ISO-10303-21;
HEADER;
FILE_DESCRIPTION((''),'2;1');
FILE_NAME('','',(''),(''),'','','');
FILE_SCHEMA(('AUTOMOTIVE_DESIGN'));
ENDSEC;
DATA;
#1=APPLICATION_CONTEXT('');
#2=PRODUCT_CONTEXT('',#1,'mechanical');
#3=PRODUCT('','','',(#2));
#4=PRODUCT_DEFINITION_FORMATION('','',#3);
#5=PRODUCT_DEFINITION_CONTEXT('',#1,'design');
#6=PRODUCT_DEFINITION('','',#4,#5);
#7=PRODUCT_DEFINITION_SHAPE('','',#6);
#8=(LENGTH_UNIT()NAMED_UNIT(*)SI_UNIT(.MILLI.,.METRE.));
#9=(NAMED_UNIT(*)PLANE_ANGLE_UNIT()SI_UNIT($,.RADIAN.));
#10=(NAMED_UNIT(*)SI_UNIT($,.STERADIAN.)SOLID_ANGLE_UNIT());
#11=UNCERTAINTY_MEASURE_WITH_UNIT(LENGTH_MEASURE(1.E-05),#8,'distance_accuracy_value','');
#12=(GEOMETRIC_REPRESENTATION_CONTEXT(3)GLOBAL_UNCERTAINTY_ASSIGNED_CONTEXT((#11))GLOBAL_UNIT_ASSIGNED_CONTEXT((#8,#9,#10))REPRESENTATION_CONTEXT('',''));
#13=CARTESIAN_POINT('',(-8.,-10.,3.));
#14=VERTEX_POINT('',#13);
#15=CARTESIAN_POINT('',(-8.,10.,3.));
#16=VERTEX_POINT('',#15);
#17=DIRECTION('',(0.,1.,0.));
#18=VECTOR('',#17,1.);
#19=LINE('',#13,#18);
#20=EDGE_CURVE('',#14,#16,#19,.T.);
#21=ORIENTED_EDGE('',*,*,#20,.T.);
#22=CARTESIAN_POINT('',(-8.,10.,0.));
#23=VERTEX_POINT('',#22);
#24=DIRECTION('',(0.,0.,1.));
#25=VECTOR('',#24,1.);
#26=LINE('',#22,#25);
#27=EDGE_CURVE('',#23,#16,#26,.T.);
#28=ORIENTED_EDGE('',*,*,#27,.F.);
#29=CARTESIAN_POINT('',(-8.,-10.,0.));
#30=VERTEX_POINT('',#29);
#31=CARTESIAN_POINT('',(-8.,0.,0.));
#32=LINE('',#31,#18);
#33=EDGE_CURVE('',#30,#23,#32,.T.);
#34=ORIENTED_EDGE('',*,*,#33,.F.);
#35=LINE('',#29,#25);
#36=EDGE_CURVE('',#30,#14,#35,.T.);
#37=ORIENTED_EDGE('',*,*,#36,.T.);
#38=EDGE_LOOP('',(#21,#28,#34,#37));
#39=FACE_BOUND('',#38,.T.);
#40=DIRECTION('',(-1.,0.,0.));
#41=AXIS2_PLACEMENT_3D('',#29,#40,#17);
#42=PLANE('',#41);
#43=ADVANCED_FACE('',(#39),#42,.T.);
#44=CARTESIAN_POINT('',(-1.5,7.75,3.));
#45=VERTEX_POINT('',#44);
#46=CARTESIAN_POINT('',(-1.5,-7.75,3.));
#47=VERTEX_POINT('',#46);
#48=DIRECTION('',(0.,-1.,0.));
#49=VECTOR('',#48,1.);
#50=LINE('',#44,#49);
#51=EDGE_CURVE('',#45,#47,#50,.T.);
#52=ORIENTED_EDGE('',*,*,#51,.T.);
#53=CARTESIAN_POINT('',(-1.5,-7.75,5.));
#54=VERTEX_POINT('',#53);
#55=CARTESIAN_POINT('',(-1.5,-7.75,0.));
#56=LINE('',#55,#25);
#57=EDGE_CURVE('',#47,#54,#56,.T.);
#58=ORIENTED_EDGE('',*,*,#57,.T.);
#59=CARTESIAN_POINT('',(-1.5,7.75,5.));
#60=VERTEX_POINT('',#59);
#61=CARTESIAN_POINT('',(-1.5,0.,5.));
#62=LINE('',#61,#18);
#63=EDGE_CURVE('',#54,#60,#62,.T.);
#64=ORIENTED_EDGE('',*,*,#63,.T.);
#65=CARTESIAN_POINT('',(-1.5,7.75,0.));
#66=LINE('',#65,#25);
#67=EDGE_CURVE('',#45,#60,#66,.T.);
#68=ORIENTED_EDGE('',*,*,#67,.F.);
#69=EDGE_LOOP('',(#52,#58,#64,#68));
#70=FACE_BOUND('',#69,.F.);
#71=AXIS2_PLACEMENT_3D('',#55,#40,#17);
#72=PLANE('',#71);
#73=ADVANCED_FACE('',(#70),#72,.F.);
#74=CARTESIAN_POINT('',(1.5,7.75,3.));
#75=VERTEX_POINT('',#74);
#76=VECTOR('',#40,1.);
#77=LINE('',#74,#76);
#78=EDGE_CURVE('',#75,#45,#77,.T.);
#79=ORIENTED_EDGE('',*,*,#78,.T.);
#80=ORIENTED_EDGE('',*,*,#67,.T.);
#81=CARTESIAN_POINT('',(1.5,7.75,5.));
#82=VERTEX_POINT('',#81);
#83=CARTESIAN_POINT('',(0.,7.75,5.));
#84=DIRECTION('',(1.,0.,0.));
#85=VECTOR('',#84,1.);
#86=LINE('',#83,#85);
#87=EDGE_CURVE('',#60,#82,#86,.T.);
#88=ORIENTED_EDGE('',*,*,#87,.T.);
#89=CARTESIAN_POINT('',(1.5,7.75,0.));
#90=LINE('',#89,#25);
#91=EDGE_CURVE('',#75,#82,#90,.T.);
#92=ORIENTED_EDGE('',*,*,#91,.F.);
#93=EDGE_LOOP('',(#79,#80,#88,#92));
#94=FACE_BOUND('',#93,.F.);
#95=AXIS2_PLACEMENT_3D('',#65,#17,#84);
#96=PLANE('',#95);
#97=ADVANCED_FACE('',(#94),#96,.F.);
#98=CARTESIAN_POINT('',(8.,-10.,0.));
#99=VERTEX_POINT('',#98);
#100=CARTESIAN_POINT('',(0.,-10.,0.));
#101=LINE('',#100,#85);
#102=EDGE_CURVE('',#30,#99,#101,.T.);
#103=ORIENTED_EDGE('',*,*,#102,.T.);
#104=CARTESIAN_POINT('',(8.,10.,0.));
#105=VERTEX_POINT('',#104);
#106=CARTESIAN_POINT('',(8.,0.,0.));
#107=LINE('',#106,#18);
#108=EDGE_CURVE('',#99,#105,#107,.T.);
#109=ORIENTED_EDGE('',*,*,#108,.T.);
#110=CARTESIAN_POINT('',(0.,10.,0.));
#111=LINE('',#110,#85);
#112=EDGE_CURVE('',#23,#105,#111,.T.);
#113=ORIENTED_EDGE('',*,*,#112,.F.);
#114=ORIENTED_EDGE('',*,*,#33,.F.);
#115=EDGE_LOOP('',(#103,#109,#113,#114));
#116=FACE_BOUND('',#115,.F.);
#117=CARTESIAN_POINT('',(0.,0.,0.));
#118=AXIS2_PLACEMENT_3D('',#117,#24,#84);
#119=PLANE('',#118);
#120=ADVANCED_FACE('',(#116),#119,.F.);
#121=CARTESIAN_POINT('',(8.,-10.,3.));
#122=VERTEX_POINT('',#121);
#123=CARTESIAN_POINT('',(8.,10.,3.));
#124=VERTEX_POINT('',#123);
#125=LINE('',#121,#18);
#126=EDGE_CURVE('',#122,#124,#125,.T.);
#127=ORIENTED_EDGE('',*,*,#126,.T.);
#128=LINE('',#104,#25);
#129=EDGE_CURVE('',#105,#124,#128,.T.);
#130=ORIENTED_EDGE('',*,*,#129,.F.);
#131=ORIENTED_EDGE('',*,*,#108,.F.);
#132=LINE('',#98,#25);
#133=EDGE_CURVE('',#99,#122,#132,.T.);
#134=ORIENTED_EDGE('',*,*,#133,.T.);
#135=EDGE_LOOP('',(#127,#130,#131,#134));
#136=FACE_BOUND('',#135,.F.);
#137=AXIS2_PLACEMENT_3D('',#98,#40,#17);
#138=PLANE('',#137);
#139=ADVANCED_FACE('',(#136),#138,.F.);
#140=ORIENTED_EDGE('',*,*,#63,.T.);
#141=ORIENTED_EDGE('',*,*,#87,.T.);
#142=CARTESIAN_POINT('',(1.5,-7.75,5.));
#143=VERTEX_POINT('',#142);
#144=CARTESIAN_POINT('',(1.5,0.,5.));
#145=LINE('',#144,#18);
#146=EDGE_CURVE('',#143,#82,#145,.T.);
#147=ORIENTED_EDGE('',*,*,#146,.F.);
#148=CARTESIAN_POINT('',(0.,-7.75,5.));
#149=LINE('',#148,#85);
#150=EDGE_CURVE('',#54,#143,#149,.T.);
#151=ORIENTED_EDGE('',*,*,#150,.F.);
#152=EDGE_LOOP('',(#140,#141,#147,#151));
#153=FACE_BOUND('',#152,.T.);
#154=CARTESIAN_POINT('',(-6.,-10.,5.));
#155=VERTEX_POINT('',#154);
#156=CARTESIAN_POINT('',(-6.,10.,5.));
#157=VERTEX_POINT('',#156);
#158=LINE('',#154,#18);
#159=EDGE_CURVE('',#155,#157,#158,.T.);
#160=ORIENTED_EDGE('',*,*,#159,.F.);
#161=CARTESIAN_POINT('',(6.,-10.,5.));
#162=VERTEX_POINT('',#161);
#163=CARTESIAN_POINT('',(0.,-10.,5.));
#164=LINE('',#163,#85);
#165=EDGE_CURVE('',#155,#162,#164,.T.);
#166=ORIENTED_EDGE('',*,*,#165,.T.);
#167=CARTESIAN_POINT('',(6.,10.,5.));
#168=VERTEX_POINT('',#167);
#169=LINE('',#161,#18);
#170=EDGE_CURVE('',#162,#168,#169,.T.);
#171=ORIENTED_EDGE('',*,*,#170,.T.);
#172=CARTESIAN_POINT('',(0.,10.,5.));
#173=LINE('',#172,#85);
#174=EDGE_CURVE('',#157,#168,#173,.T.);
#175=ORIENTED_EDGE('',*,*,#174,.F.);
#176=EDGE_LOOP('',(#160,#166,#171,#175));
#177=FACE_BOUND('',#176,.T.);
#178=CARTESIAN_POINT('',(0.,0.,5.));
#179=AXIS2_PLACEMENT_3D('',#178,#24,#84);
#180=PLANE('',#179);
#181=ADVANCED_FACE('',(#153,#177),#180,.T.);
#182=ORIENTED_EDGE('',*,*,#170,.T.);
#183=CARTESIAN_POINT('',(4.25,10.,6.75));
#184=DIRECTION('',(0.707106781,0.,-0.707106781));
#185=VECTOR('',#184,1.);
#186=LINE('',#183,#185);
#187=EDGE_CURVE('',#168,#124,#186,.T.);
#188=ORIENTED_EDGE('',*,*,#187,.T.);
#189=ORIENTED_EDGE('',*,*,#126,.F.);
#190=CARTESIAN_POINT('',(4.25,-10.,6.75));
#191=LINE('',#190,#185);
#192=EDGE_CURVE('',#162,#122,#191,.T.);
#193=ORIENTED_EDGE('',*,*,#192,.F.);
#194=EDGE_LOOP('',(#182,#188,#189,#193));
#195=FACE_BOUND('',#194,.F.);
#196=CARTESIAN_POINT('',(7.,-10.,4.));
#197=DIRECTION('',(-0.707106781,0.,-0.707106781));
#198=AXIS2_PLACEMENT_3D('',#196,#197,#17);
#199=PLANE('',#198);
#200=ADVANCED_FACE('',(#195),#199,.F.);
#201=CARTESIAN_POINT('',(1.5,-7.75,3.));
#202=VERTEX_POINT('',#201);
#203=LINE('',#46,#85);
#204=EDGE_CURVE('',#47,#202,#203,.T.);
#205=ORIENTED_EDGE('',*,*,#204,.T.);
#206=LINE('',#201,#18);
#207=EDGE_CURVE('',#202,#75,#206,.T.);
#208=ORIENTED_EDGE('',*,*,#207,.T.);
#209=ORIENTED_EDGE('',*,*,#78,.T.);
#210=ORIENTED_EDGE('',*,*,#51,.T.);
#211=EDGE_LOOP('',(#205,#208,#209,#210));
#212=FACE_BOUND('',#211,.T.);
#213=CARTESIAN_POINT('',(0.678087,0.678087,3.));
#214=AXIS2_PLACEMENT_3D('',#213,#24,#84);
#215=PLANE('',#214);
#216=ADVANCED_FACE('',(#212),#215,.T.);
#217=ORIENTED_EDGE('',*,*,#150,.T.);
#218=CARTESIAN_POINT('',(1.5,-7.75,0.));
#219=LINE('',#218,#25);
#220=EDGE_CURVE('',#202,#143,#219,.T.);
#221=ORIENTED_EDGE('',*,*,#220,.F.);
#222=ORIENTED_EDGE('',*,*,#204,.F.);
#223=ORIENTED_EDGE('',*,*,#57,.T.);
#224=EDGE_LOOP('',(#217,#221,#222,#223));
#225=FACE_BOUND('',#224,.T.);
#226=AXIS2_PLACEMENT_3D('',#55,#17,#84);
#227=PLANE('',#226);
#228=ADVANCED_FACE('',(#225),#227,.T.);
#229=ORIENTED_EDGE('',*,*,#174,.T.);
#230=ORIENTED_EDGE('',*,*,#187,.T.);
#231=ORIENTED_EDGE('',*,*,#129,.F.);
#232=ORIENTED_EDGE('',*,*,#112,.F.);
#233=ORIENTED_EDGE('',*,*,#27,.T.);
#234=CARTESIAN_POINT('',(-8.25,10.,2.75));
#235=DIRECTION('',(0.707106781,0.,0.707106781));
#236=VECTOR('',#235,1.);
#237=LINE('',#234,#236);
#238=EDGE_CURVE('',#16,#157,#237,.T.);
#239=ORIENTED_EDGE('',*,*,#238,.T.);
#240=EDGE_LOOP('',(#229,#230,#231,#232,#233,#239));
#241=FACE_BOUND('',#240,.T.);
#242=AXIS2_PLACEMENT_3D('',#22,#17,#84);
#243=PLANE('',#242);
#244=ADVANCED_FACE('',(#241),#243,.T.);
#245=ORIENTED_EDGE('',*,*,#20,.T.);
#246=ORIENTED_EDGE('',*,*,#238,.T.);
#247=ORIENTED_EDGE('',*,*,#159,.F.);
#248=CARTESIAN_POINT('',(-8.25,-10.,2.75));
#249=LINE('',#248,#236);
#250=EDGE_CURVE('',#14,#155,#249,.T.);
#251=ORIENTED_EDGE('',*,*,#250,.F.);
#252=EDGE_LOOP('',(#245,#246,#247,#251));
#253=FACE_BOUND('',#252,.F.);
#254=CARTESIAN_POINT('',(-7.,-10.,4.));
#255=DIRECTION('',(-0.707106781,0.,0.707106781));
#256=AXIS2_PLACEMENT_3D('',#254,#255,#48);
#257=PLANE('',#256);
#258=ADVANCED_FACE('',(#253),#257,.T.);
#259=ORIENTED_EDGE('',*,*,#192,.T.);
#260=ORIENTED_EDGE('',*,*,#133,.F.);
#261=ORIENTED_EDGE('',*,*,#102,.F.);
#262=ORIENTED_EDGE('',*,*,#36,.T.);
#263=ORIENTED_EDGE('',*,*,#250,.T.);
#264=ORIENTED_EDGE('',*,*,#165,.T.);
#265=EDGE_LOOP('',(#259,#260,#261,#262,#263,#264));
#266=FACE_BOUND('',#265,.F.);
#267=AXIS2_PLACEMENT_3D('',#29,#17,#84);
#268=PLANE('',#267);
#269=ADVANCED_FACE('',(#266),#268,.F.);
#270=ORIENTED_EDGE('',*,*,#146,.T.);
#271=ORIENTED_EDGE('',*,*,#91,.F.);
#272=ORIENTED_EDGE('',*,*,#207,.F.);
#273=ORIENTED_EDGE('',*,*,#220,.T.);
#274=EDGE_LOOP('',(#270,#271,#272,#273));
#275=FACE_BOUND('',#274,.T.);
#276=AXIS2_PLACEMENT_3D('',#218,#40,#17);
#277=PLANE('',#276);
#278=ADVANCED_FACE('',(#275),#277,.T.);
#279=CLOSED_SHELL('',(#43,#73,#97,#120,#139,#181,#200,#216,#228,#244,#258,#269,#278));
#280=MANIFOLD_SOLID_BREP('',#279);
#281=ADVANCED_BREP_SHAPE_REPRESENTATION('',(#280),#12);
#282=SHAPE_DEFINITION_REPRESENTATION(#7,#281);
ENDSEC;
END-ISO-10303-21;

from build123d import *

# Parameters (mm, degrees)
F1_DEPTH = 3
F0_W     = 16
F0_H     = 20
F0_W_2   = 3
F0_H_2   = 15.5
F2_DEPTH = 5
F3_SIZE  = 2


with BuildPart() as f1:
    # F0 (on Top) → F1 (new body)
    with BuildSketch(Plane.XY):
        Polygon((1.5, -7.75), (1.5, 7.75), (-1.5, 7.75), align=None)
        Polygon((1.5, -7.75), (-1.5, 7.75), (-1.5, -7.75), align=None)
    extrude(amount=F1_DEPTH)

    # F0 (on Top) → F2 (join)
    with BuildSketch(Plane.XY):
        Rectangle(F0_W, F0_H)
        Rectangle(F0_W_2, F0_H_2, mode=Mode.SUBTRACT)
    extrude(amount=F2_DEPTH)

    # F3
    f3_edges = [f1.edges().sort_by_distance(p)[0] for p in [
        (8, 0, 5),
        (-8, 0, 5),
    ]]
    chamfer(f3_edges, length=F3_SIZE)


solid = f1.part
